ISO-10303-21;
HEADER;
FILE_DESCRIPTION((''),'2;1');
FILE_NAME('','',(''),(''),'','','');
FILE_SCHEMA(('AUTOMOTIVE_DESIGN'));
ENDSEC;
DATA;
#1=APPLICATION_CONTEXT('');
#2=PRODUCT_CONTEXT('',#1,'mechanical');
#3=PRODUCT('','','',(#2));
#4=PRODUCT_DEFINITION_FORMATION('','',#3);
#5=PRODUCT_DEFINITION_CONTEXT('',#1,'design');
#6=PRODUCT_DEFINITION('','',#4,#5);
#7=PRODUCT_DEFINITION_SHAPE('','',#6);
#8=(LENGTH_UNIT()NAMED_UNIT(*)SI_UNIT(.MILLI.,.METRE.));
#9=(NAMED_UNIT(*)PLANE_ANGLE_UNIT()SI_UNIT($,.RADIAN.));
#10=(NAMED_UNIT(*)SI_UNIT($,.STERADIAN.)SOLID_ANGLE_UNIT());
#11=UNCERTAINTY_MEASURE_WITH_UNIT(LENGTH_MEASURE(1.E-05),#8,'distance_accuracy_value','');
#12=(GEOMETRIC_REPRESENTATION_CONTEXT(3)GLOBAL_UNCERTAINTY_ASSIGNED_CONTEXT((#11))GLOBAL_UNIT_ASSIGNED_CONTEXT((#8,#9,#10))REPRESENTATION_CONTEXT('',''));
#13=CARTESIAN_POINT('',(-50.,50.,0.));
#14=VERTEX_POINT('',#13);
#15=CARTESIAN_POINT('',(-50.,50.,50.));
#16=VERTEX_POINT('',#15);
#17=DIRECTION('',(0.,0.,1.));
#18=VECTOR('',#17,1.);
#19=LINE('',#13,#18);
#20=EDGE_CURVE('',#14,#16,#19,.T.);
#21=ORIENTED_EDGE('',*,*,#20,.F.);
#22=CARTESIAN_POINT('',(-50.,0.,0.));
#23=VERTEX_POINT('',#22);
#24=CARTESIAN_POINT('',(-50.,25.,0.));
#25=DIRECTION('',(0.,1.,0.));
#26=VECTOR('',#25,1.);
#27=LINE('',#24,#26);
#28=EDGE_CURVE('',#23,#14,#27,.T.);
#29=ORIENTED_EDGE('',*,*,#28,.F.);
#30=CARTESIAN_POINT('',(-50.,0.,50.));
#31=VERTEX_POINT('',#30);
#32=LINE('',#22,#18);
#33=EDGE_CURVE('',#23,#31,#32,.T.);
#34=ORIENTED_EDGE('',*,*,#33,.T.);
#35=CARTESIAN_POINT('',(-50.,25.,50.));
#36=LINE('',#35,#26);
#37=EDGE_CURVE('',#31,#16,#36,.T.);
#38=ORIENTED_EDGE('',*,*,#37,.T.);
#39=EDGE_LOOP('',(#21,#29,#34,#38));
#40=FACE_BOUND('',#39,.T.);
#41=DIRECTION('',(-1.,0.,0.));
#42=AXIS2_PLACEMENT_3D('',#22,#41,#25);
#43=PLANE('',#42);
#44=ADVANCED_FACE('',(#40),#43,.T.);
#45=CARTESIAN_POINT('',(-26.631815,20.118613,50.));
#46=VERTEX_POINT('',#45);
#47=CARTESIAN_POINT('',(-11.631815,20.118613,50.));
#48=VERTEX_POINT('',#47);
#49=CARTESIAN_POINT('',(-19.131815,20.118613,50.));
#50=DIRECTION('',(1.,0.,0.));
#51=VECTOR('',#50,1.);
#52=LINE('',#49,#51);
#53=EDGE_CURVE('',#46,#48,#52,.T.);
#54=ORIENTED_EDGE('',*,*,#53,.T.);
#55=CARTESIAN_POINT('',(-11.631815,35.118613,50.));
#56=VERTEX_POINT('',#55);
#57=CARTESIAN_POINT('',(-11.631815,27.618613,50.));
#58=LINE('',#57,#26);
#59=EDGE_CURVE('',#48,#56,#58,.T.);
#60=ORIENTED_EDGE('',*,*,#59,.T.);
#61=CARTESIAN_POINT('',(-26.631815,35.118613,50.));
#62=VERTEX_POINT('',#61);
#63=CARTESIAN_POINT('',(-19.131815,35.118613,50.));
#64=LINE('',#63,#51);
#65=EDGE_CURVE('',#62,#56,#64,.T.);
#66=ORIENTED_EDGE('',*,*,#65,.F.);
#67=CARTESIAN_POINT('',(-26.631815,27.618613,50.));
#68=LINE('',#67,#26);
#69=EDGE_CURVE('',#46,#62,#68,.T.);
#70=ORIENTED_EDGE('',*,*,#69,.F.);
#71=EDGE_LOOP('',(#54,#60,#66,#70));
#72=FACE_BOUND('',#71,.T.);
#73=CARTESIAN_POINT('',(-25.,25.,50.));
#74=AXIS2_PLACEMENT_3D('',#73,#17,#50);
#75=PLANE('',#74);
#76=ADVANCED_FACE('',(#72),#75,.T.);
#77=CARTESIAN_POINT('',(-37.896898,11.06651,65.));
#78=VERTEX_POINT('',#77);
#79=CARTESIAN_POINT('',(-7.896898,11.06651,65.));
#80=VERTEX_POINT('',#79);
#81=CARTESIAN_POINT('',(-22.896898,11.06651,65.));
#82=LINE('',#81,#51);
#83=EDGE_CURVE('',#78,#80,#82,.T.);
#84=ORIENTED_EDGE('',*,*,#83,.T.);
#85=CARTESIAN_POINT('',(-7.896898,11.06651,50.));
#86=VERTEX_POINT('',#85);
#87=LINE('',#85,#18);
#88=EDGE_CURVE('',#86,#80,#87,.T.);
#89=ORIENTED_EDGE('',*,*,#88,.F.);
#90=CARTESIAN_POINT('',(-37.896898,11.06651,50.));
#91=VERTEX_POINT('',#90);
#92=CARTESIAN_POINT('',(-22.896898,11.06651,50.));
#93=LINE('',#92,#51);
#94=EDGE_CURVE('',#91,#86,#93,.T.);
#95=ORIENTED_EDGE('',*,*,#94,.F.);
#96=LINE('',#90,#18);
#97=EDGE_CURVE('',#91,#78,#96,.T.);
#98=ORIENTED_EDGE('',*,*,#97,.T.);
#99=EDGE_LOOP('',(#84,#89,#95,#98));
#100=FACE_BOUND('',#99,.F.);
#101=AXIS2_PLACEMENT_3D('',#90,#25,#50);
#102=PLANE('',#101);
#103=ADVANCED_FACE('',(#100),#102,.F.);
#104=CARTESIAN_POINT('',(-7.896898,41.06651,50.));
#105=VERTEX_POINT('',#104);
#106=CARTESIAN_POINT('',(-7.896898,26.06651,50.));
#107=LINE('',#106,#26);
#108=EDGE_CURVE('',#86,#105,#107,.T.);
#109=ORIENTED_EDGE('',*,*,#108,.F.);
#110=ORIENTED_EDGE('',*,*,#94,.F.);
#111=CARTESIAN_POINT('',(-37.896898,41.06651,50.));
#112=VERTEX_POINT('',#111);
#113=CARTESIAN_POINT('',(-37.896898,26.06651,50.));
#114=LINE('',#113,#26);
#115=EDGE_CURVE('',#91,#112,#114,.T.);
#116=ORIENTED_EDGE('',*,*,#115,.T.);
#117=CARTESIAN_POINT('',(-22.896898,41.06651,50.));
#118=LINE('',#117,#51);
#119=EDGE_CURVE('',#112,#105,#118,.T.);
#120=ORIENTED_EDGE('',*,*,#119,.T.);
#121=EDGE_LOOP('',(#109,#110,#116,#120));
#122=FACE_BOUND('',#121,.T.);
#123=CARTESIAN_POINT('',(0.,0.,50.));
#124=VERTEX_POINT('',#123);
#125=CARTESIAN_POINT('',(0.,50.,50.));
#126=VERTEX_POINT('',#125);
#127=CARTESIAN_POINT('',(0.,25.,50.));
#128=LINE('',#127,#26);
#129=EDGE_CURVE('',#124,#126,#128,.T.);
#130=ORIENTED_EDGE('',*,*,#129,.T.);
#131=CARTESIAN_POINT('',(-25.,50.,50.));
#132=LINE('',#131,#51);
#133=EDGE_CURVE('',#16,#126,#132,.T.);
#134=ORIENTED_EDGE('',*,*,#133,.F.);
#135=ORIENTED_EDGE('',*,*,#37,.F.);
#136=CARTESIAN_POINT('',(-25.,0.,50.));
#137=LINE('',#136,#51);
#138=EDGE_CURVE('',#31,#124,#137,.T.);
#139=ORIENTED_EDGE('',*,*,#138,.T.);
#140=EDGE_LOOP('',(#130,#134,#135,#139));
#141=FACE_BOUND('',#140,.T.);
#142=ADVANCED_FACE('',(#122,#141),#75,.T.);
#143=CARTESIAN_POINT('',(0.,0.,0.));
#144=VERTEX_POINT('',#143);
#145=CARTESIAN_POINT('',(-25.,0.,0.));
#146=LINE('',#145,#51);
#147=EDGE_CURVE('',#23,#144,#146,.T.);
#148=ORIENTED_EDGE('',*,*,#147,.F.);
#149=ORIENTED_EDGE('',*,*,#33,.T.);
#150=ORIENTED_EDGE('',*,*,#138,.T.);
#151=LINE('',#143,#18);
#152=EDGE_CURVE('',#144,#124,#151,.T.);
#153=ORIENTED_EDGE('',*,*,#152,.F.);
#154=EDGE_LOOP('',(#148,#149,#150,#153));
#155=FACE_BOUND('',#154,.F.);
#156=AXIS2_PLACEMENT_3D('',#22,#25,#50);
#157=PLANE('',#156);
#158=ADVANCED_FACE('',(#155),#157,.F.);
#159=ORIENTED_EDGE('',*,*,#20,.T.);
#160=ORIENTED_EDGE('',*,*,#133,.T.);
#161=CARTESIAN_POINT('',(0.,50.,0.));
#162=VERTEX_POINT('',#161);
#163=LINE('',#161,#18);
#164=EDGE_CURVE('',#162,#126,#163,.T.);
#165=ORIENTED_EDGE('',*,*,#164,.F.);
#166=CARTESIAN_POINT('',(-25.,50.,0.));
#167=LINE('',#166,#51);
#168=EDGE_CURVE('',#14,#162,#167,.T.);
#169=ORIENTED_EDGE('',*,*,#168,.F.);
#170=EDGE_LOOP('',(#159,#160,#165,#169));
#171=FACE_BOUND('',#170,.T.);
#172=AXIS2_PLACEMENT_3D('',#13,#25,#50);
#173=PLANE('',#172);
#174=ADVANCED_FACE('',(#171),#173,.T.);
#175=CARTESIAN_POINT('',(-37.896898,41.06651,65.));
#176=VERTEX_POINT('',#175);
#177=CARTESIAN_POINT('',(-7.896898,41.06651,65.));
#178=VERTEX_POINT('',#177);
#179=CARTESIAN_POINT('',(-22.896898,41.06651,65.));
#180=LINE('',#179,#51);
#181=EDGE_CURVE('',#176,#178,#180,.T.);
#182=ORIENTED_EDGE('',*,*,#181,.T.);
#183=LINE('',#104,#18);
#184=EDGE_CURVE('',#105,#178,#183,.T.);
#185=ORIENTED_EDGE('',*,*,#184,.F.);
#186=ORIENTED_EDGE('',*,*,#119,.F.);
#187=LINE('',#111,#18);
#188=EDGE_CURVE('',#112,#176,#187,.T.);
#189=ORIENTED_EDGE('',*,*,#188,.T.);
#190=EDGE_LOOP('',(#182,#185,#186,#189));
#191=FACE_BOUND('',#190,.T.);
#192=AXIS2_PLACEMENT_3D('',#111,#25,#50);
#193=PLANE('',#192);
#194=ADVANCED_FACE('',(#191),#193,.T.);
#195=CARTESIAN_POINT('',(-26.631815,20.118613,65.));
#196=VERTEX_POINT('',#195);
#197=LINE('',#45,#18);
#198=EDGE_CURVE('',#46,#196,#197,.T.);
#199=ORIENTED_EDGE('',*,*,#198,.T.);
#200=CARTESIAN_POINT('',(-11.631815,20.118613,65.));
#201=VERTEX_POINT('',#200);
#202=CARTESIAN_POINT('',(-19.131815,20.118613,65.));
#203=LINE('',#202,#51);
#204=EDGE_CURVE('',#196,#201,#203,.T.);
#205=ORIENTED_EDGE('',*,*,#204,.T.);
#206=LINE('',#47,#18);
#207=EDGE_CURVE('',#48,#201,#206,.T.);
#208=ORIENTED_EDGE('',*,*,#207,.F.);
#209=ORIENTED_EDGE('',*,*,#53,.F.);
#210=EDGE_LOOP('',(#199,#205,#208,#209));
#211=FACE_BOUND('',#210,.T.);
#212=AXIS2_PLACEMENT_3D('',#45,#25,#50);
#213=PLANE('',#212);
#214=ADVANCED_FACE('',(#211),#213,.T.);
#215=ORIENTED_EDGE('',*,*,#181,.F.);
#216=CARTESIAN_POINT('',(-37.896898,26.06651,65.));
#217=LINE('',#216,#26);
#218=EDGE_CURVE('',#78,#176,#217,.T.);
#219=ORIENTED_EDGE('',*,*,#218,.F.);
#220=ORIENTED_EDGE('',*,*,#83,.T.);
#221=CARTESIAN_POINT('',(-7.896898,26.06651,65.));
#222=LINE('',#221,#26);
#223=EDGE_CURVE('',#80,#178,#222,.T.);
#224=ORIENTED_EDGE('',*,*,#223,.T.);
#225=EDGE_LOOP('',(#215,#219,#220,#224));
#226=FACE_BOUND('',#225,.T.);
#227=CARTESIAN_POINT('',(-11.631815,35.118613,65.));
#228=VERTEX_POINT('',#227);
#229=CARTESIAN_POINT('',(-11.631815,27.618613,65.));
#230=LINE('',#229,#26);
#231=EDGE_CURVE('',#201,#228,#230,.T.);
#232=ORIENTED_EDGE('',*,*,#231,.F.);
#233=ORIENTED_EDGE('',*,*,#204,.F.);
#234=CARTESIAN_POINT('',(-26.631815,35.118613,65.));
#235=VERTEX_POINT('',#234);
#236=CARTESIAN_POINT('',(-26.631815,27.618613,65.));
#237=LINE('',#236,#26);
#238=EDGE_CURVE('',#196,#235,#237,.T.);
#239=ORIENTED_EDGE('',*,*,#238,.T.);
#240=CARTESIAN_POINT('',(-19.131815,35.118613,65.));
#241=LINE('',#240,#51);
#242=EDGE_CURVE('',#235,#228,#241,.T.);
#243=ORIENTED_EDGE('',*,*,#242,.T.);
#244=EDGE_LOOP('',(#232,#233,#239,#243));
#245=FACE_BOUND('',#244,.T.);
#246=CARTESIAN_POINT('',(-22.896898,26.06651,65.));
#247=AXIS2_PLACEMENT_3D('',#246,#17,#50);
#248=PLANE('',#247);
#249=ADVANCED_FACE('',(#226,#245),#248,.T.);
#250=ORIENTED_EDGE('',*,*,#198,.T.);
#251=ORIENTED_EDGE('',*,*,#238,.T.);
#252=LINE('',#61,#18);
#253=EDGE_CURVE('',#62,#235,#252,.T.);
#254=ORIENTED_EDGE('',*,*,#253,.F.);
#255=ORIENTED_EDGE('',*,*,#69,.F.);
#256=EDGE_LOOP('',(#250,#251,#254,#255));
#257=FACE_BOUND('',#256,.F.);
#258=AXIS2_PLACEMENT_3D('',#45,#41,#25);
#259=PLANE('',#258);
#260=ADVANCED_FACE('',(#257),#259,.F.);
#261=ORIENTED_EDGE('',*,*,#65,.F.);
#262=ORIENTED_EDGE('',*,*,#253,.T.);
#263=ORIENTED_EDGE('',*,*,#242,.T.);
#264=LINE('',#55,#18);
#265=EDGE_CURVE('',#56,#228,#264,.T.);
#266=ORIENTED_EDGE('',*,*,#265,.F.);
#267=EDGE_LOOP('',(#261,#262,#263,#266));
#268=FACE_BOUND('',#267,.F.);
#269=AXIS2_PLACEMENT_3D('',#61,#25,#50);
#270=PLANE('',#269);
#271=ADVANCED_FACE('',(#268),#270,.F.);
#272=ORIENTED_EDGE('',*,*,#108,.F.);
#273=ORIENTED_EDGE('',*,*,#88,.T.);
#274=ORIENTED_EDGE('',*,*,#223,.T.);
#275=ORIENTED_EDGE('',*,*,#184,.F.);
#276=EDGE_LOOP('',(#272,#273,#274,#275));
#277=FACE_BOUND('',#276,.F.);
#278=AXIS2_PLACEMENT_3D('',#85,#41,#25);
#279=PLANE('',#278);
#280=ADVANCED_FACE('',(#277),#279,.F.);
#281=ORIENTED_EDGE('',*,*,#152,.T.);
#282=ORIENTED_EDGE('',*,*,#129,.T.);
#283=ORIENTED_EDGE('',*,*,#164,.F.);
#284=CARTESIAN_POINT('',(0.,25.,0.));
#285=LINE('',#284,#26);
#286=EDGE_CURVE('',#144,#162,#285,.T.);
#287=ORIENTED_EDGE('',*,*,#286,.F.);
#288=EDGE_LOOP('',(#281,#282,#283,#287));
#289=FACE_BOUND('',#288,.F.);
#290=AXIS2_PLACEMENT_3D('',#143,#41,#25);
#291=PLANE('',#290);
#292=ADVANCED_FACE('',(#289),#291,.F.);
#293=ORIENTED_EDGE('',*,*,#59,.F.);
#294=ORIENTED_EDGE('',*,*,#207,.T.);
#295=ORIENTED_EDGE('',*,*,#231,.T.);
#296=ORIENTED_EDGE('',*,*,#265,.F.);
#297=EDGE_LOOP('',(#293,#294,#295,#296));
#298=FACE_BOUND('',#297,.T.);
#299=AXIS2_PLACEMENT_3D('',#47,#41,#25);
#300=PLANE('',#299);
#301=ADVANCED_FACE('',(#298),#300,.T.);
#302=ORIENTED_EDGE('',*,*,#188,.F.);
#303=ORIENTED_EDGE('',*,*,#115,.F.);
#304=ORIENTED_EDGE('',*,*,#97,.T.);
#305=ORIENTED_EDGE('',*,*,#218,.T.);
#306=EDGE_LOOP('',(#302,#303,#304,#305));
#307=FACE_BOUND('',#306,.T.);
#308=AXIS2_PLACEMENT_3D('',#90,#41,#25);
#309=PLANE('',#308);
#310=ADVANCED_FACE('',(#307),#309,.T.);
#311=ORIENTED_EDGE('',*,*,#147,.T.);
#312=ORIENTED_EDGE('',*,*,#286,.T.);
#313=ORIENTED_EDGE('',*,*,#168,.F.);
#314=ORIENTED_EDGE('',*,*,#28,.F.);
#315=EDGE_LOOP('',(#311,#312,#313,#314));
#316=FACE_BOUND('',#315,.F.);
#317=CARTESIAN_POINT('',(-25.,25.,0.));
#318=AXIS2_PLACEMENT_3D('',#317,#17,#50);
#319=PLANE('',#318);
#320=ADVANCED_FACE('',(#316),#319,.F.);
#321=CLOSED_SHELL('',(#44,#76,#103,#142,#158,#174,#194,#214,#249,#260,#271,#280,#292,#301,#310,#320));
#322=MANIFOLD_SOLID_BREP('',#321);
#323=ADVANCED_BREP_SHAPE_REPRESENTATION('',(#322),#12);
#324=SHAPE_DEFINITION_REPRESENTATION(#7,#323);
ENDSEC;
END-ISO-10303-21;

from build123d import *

# Parameters (mm, degrees)
F0_W     = 50
F0_H     = 50
F1_DEPTH = 50
F2_W     = 30
F2_H     = 30
F2_W_2   = 15
F2_H_2   = 15
F3_DEPTH = 15
F4_DEPTH = 15


with BuildPart() as f1:
    # F0 (on Top) → F1 (new body)
    with BuildSketch(Plane.XY):
        with Locations((-25, 25)):
            Rectangle(F0_W, F0_H)
    extrude(amount=F1_DEPTH)

    # F2 (on face) → F3 (join)
    with BuildSketch(Plane.XY.offset(50)):
        with Locations((-22.896898, 26.06651)):
            Rectangle(F2_W, F2_H)
        with Locations((-19.131815, 27.618613)):
            Rectangle(F2_W_2, F2_H_2, mode=Mode.SUBTRACT)
    extrude(amount=F3_DEPTH)

    # F2 (on face) → F4 (join)
    with BuildSketch(Plane.XY.offset(50)):
        with Locations((-22.896898, 26.06651)):
            Rectangle(F2_W, F2_H)
        with Locations((-19.131815, 27.618613)):
            Rectangle(F2_W_2, F2_H_2, mode=Mode.SUBTRACT)
    extrude(amount=F4_DEPTH)


solid = f1.part
